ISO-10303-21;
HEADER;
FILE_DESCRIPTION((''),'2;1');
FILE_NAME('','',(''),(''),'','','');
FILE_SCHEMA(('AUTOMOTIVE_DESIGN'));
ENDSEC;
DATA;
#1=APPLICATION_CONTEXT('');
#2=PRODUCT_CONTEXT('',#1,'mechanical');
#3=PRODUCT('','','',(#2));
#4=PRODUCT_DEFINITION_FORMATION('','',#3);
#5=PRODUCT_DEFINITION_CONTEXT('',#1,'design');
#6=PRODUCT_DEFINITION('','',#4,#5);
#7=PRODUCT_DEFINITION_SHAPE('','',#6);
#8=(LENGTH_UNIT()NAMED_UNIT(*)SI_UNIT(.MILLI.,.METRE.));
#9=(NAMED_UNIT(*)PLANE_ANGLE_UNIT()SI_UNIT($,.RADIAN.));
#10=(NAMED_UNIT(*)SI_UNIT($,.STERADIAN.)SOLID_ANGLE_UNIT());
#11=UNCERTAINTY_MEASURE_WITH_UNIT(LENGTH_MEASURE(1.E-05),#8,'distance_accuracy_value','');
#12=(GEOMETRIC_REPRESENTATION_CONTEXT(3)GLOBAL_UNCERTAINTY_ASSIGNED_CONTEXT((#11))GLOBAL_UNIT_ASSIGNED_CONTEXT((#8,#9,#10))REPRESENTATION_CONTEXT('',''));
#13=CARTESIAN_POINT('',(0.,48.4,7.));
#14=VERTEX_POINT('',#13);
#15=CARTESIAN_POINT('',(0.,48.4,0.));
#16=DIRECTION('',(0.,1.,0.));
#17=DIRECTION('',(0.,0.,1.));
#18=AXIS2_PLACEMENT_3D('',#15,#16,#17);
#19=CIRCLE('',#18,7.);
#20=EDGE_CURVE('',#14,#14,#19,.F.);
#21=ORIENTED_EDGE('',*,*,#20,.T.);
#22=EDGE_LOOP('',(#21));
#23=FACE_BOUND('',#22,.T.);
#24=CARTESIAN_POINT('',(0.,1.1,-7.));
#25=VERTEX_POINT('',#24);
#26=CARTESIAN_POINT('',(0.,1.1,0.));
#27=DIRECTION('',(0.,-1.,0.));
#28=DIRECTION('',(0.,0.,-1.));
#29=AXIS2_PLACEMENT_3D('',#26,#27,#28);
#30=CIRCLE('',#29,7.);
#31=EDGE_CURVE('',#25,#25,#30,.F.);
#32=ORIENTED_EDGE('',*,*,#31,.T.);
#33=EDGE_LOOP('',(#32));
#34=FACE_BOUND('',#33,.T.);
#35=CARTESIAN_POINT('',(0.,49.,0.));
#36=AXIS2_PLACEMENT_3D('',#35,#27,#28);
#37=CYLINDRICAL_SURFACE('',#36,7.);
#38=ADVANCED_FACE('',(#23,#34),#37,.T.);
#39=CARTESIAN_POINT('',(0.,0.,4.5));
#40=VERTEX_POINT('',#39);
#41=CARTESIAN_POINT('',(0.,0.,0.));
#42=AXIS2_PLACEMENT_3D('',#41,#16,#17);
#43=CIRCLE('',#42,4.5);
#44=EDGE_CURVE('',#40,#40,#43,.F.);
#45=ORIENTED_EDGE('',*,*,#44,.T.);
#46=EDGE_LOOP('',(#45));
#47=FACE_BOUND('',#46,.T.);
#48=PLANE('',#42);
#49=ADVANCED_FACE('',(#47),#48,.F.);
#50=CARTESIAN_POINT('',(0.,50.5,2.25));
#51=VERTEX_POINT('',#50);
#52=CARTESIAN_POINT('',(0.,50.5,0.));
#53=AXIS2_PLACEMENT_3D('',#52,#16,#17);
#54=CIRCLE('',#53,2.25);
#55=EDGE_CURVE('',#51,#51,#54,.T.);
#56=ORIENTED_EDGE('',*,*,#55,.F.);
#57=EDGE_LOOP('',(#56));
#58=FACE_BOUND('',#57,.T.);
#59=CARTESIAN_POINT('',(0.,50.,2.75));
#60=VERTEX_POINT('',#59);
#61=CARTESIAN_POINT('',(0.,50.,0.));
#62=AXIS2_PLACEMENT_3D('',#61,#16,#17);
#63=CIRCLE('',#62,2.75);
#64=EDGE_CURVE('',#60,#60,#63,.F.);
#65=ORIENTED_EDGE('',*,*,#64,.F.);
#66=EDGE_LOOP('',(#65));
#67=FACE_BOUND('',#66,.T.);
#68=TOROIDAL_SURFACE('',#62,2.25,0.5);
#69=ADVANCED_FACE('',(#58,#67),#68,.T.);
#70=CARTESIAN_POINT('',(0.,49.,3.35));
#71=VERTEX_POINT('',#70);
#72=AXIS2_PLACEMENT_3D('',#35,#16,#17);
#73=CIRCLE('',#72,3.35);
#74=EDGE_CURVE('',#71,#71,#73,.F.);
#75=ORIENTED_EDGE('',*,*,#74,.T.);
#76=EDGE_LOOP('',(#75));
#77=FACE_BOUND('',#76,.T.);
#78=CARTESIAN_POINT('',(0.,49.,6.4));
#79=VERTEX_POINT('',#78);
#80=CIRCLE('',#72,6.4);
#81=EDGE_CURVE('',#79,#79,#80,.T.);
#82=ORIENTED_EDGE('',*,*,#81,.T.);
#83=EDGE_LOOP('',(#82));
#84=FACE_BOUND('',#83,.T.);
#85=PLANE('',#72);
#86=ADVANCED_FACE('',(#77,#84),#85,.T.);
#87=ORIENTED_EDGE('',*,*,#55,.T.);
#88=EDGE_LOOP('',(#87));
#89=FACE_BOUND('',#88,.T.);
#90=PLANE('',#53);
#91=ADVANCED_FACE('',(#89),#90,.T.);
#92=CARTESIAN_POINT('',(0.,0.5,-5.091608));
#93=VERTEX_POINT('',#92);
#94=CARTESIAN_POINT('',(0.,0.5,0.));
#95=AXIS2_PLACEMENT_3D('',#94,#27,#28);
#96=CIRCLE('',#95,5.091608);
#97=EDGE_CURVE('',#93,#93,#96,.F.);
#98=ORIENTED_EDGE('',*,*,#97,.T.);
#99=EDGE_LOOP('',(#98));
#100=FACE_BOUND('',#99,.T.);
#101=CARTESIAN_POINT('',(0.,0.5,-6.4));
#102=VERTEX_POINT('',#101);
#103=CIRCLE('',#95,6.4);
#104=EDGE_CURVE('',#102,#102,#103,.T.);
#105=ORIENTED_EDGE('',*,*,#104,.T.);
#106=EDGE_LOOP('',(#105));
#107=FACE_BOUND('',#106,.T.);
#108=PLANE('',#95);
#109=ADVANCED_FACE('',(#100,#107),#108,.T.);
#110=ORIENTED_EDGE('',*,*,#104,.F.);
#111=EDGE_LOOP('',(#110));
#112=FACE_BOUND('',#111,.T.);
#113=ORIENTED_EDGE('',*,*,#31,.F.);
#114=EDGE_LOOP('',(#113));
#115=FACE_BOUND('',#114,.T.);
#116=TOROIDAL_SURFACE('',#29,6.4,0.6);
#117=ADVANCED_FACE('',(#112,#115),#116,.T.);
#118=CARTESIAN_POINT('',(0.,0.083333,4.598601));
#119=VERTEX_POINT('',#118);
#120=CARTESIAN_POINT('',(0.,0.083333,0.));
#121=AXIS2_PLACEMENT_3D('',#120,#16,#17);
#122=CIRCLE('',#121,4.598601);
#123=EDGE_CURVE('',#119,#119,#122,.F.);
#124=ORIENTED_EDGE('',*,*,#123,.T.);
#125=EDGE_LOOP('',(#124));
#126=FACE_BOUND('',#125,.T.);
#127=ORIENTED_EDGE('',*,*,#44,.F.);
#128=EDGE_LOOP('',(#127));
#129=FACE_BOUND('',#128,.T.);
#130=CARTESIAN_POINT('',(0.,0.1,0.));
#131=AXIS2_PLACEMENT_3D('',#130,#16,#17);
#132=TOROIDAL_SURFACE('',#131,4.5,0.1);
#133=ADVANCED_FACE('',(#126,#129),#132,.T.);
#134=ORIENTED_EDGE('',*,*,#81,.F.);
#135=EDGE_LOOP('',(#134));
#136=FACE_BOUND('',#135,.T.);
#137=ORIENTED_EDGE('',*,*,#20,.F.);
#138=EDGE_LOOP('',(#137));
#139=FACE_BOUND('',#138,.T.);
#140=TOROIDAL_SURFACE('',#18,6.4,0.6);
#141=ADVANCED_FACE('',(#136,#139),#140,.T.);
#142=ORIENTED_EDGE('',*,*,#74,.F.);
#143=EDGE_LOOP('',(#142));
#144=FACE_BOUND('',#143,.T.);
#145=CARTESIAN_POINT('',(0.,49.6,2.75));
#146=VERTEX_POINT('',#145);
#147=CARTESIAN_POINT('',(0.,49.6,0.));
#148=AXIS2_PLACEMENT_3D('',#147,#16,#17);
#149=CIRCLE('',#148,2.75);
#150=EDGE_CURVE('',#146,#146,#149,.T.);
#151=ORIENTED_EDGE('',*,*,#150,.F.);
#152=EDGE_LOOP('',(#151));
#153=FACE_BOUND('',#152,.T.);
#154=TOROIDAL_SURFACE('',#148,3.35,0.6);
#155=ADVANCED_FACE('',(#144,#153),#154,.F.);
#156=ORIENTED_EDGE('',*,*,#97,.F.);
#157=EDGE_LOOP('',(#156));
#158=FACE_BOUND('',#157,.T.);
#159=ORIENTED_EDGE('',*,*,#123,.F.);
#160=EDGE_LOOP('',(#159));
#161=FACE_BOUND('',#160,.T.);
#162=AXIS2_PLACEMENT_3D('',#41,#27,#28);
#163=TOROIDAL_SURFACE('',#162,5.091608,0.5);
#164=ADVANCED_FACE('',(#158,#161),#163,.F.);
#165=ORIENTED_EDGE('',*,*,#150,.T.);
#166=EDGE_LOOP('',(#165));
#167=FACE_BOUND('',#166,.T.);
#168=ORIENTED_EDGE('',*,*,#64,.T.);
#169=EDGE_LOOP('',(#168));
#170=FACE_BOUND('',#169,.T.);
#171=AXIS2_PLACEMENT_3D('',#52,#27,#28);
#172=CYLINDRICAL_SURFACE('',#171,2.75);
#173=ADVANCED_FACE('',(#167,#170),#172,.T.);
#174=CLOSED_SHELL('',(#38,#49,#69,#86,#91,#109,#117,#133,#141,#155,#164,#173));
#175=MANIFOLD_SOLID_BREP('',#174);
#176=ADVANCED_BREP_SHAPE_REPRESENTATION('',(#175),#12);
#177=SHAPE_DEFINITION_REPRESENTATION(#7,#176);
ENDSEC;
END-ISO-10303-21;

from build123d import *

# Parameters (mm, degrees)
SKETCH1_R           = 7
BOSS_EXTRUDE1_DEPTH = 49
SKETCH2_R           = 2.75
BOSS_EXTRUDE2_DEPTH = 1.5
FILLET2_R           = 0.6
FILLET3_R           = 0.5
SKETCH4_R           = 7
SKETCH4_R_2         = 4.6
CUT_EXTRUDE2_DEPTH  = 0.5
FILLET7_R           = 0.6
FILLET8_R           = 0.6
FILLET9_R           = 0.1
FILLET10_R          = 0.5


with BuildPart() as part:
    # Sketch1 → Boss-Extrude1 (new body)
    with BuildSketch(Plane(origin=(0, 0, 0), x_dir=(1, 0, 0), z_dir=(0, 1, 0))):
        Circle(SKETCH1_R)
    extrude(amount=BOSS_EXTRUDE1_DEPTH)

    # Sketch2 → Boss-Extrude2 (add)
    with BuildSketch(Plane(origin=(0, 49, 0), x_dir=(1, 0, 0), z_dir=(0, 1, 0))):
        Circle(SKETCH2_R)
    extrude(amount=BOSS_EXTRUDE2_DEPTH)

    # Fillet2
    fillet2_edges = [part.edges().sort_by_distance(p)[0] for p in [
        (-2.75, 49, 0),
    ]]
    fillet(fillet2_edges, radius=FILLET2_R)

    # Fillet3
    fillet3_edges = [part.edges().sort_by_distance(p)[0] for p in [
        (-2.75, 50.5, 0),
    ]]
    fillet(fillet3_edges, radius=FILLET3_R)

    # Sketch4 → Cut-Extrude2 (cut)
    with BuildSketch(Plane.XZ):
        Circle(SKETCH4_R)
        Circle(SKETCH4_R_2, mode=Mode.SUBTRACT)
    extrude(amount=-CUT_EXTRUDE2_DEPTH, mode=Mode.SUBTRACT)

    # Fillet7
    fillet7_edges = [part.edges().sort_by_distance(p)[0] for p in [
        (-7, 0.5, 0),
    ]]
    fillet(fillet7_edges, radius=FILLET7_R)

    # Fillet8
    fillet8_edges = [part.edges().sort_by_distance(p)[0] for p in [
        (-7, 49, 0),
    ]]
    fillet(fillet8_edges, radius=FILLET8_R)

    # Fillet9
    fillet9_edges = [part.edges().sort_by_distance(p)[0] for p in [
        (-4.6, 0, 0),
    ]]
    fillet(fillet9_edges, radius=FILLET9_R)

    # Fillet10
    fillet10_edges = [part.edges().sort_by_distance(p)[0] for p in [
        (-4.6, 0.5, 0),
    ]]
    fillet(fillet10_edges, radius=FILLET10_R)


solid = part.part
